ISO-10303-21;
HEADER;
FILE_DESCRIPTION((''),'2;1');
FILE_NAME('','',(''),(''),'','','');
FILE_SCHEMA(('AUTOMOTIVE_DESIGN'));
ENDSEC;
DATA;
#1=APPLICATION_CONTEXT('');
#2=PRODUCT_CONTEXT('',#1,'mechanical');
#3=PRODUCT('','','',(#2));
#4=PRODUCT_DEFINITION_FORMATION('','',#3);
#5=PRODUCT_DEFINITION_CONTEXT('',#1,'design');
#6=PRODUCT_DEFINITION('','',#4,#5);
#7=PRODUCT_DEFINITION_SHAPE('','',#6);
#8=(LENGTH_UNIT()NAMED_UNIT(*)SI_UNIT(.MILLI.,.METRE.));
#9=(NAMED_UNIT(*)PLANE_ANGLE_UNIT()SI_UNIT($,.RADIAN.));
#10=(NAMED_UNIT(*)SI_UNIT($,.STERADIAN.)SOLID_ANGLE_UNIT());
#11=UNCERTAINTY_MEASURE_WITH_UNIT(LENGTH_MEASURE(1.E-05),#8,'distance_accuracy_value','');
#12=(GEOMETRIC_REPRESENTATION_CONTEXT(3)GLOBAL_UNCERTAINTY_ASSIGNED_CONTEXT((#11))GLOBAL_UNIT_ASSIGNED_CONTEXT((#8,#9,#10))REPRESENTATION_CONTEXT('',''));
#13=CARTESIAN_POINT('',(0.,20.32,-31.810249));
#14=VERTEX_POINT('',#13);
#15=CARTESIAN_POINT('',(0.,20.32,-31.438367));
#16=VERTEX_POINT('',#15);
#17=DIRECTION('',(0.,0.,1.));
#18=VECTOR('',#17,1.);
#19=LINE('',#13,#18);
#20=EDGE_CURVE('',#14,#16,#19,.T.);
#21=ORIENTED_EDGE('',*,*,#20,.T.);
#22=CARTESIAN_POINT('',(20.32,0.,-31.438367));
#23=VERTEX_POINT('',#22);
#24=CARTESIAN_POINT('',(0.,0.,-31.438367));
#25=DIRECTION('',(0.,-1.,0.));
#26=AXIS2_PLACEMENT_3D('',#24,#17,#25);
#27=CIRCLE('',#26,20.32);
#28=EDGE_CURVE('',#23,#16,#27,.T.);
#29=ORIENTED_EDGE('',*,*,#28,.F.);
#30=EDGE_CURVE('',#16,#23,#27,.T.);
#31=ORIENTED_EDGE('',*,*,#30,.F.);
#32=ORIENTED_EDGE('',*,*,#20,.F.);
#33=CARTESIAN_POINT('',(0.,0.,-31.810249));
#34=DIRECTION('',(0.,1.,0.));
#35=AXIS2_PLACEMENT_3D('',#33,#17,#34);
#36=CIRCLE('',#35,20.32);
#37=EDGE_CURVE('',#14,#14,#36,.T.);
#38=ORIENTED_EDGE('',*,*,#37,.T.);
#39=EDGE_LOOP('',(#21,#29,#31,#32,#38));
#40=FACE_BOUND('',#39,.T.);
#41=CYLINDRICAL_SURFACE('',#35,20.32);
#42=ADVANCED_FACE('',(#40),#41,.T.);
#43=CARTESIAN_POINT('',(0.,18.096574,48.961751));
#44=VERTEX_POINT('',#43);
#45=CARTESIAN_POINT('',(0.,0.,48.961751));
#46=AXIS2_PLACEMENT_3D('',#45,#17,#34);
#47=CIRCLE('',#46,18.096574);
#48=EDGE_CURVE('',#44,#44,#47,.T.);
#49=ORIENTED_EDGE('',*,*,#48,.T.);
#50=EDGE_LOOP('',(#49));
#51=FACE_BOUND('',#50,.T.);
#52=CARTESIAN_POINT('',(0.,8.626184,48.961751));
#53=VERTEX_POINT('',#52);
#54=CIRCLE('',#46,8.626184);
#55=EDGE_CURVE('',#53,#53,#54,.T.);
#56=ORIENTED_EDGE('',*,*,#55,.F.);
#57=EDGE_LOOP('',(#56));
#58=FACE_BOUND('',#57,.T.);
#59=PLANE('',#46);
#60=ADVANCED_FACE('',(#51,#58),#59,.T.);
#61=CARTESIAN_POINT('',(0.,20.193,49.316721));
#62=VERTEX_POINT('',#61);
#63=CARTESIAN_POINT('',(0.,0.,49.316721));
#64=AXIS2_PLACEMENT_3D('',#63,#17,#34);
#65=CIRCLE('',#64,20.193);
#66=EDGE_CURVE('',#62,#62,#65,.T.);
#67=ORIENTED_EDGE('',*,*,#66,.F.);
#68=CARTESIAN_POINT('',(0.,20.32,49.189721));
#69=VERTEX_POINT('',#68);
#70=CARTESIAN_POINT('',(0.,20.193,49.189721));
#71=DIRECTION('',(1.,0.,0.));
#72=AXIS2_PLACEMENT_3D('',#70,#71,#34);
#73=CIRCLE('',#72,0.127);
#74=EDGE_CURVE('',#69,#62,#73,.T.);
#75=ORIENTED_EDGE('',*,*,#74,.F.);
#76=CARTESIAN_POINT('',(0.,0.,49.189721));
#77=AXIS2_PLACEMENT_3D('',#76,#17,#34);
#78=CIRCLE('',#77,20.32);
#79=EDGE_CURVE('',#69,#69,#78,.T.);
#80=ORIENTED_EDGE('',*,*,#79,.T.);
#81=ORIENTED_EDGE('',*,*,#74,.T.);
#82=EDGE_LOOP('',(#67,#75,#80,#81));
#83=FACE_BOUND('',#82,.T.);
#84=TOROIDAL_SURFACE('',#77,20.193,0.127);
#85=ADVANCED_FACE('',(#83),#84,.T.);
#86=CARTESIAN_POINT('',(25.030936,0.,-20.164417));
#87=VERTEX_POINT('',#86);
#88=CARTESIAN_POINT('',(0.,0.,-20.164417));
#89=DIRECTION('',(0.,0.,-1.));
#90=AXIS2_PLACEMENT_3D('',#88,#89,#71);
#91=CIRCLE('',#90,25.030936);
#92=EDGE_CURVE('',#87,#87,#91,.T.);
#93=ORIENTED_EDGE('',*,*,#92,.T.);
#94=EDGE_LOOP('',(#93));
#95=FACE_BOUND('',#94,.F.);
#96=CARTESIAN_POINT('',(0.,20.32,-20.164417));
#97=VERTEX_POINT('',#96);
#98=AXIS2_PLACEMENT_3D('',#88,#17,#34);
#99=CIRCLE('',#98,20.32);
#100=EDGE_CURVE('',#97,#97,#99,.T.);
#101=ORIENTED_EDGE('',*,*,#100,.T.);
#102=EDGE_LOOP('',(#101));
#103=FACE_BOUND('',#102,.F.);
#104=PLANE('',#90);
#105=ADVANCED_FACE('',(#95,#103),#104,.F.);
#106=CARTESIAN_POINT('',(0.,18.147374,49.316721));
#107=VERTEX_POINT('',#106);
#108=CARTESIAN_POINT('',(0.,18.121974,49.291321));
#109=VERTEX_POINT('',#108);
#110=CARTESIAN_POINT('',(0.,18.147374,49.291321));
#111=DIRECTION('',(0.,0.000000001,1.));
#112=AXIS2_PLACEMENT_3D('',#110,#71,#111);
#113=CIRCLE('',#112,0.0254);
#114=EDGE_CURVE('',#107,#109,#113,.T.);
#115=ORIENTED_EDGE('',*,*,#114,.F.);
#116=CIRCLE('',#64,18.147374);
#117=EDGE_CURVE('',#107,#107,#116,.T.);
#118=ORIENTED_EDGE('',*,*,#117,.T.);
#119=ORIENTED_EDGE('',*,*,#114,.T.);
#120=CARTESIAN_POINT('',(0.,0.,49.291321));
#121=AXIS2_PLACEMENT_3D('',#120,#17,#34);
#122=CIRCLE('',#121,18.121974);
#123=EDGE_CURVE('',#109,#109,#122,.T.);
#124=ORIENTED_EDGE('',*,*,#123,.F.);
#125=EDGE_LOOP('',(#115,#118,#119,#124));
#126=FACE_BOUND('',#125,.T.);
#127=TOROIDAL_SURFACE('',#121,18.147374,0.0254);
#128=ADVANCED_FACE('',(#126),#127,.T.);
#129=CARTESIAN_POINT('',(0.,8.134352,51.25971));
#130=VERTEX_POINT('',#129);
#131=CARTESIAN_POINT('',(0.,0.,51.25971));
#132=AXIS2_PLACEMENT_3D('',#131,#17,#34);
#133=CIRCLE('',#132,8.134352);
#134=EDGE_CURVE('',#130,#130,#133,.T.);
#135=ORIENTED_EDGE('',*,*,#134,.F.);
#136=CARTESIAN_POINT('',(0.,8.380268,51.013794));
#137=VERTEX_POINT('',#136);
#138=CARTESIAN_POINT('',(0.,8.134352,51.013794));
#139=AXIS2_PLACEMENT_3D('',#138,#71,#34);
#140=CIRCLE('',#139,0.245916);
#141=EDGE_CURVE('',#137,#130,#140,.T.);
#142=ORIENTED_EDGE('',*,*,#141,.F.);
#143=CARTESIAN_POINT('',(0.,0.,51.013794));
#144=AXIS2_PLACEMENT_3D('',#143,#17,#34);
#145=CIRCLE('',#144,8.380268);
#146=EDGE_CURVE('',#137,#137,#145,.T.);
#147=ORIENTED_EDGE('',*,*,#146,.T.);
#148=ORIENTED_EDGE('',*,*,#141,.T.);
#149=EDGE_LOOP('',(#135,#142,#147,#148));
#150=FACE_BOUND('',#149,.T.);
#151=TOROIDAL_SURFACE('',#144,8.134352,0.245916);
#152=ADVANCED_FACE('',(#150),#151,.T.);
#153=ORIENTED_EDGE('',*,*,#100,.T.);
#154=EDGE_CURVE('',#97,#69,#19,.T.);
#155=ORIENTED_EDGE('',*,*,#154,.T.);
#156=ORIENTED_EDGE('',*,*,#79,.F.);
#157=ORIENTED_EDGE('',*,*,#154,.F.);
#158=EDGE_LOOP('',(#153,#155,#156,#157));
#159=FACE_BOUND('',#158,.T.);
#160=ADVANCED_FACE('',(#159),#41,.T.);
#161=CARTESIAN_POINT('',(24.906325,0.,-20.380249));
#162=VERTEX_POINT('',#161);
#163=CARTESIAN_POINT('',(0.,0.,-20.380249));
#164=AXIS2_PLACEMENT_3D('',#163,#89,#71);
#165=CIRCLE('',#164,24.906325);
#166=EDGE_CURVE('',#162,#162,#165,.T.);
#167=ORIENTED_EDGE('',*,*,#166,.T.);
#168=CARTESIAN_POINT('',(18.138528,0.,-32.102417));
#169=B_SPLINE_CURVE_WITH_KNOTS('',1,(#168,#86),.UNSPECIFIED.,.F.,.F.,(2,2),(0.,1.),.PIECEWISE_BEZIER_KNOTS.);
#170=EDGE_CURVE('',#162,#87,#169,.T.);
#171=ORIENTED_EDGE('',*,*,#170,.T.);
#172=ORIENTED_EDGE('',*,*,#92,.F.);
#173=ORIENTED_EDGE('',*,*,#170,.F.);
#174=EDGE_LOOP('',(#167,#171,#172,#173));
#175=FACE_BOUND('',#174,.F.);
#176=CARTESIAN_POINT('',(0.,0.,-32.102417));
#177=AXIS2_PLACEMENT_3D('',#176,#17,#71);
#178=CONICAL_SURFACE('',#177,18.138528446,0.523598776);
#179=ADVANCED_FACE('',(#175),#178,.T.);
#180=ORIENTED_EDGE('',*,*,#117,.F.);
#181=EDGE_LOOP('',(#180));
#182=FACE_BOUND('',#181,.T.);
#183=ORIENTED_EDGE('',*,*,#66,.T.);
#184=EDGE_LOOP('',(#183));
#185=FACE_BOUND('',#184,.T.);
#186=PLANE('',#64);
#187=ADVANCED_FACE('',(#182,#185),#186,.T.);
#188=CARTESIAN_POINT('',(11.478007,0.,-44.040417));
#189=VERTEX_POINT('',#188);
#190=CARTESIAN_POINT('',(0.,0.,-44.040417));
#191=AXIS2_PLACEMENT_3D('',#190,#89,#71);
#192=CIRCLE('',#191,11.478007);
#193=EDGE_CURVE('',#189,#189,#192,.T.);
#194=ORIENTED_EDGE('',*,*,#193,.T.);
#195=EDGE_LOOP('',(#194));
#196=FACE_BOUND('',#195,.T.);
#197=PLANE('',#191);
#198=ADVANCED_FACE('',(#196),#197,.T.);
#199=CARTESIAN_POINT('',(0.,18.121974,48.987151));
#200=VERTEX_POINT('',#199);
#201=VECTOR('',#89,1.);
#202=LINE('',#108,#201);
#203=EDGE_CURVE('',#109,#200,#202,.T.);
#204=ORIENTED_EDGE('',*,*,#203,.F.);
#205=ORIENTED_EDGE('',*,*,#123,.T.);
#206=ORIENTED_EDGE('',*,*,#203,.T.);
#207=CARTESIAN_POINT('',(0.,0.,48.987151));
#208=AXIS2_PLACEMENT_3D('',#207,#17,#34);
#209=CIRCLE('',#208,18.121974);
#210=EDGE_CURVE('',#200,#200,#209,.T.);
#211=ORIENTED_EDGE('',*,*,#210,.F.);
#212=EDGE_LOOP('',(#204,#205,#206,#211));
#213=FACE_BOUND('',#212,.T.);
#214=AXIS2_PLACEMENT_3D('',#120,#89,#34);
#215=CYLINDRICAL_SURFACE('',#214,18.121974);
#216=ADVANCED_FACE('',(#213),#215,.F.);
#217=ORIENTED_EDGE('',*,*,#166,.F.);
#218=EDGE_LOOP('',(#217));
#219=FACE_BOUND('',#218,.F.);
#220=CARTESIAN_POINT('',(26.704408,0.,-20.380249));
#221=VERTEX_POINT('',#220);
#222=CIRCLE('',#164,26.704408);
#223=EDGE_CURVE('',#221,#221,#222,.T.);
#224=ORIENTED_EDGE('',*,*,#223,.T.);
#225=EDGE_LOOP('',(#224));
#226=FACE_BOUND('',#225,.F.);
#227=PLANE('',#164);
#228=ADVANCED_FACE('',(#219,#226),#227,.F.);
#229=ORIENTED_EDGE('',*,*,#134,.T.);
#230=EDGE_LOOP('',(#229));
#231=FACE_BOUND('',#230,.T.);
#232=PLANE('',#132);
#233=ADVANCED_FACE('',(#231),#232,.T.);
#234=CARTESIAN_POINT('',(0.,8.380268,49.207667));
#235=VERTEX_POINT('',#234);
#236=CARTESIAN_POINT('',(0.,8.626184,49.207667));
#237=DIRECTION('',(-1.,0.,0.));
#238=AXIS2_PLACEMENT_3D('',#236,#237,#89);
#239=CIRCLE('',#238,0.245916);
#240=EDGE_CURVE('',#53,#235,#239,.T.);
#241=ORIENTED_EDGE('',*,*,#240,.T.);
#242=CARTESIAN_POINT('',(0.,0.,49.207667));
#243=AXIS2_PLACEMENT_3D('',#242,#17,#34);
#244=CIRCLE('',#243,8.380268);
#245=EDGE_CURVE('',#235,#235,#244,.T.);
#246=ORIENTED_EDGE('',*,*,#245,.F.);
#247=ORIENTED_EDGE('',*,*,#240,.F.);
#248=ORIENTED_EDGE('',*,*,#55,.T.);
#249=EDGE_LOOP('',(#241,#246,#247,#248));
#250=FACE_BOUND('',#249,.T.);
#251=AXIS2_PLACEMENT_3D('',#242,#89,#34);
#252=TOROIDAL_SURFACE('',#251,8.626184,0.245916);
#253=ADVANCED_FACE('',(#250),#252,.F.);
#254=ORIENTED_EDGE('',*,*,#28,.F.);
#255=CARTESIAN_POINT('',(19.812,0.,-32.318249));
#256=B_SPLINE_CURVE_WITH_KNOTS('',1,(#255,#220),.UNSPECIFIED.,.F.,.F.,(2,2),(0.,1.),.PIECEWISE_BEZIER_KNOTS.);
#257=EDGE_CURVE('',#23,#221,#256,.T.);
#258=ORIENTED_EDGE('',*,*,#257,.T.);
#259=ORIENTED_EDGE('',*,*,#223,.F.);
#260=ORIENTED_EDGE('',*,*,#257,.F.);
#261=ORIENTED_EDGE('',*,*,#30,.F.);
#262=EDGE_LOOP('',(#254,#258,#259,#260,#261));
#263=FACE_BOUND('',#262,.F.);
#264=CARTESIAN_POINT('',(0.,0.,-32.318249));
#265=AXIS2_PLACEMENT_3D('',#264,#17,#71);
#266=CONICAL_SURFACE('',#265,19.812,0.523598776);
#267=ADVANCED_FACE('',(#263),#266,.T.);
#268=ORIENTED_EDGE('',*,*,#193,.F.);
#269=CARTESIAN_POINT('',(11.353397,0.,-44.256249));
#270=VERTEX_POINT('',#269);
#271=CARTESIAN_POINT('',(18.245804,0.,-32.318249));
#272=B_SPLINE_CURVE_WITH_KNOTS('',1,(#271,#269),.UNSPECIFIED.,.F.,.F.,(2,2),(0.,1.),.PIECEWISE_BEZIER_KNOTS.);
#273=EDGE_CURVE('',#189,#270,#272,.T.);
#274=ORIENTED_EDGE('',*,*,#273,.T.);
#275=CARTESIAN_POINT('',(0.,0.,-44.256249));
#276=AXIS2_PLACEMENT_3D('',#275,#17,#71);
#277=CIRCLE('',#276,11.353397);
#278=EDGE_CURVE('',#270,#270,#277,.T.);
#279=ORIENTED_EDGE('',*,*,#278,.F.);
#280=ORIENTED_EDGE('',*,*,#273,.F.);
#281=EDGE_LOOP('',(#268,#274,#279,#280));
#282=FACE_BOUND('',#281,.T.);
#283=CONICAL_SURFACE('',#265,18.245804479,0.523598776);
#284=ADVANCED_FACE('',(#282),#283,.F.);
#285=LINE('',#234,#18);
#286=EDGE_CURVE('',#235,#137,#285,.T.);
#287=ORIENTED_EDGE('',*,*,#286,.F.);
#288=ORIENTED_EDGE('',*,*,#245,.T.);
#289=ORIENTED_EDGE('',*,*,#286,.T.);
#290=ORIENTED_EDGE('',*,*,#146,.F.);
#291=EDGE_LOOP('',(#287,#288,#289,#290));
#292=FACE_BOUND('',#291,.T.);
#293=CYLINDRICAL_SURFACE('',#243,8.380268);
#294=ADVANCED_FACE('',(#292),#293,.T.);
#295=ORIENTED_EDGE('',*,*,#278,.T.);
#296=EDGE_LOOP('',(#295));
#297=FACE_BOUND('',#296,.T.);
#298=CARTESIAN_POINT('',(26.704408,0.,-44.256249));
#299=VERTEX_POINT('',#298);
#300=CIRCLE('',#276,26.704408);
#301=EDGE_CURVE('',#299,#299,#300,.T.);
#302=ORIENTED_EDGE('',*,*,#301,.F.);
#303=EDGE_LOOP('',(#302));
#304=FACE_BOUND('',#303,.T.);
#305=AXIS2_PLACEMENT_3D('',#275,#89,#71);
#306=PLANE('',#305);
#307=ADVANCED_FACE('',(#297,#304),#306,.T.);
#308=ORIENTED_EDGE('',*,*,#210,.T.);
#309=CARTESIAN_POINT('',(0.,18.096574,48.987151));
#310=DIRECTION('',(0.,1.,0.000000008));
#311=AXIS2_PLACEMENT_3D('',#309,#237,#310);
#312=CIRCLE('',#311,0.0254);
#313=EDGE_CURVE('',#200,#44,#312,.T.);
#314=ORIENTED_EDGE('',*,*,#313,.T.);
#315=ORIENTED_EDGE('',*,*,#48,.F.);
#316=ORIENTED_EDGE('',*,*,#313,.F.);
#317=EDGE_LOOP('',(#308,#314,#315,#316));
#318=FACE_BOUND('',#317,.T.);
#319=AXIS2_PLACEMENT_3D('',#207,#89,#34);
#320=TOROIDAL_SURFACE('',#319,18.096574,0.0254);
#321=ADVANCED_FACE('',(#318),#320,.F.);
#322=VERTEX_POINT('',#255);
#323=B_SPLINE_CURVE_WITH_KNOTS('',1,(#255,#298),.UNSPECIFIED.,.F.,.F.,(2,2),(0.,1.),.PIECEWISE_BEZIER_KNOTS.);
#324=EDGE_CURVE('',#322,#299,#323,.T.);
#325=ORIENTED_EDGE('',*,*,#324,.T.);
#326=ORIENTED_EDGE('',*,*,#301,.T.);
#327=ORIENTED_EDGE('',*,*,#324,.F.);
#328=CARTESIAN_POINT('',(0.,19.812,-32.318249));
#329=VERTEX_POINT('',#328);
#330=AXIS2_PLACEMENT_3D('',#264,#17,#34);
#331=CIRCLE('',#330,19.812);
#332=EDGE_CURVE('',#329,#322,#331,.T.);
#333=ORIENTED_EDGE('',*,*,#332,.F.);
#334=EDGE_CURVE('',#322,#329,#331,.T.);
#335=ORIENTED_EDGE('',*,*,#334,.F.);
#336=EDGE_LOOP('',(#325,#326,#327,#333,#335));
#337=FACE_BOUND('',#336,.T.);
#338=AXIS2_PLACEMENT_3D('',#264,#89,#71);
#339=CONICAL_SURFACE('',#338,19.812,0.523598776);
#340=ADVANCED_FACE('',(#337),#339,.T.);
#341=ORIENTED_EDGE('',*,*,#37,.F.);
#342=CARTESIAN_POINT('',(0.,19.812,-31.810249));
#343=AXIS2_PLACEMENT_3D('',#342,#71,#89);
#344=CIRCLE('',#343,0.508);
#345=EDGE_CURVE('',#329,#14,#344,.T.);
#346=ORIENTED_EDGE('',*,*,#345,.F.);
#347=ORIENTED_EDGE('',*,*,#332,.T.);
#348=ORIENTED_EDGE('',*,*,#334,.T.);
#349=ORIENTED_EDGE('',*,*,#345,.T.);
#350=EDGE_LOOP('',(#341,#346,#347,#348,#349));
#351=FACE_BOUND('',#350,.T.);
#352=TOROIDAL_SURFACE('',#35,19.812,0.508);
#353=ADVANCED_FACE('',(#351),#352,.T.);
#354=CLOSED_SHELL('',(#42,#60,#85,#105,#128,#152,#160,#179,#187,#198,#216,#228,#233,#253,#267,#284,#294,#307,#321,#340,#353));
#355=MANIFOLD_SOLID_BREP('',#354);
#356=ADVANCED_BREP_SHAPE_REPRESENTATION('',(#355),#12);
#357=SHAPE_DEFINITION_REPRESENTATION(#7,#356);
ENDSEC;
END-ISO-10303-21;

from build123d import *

# Parameters (mm, degrees)
F1_FACE_R    = 18.138528446
F1_FACE1_R   = 19.812
F1_FACE1_R_2 = 18.245804479
F2_DEPTH     = 11.938
F2_TAPER     = -30


with BuildPart() as f1:
    # F0 (on Right) → F1 (revolve)
    with BuildSketch(Plane.YZ):
        with BuildLine():
            Line((0, 48.961751096), (0, 0))
            Line((0, 0), (0, -32.1024172008))
            Line((0, -32.1024172008), (18.138528446, -32.1024172008))
            ThreePointArc((18.138528446, -32.1024172008), (18.1764562512, -32.1181274121), (18.1921664625, -32.1560552173))
            Line((18.1921664625, -32.1560552173), (18.1921664625, -32.2646108875))
            ThreePointArc((18.1921664625, -32.2646108875), (18.2078766738, -32.3025386927), (18.245804479, -32.318248904))
            Line((18.245804479, -32.318248904), (19.812, -32.318248904))
            ThreePointArc((19.812, -32.318248904), (20.1712102448, -32.1694591489), (20.32, -31.810248904))
            Line((20.32, -31.810248904), (20.32, 48.4516359195))
            Line((20.32, 48.4516359195), (20.32, 48.961751096))
            Line((20.32, 48.961751096), (20.32, 49.1897210786))
            ThreePointArc((20.32, 49.1897210786), (20.2828025612, 49.2795236398), (20.193, 49.3167210786))
            Line((20.193, 49.3167210786), (18.1473742696, 49.3167210786))
            ThreePointArc((18.1473742696, 49.3167210786), (18.1294137574, 49.3092815909), (18.1219742696, 49.2913210786))
            Line((18.1219742696, 49.2913210786), (18.1219742696, 48.987151096))
            ThreePointArc((18.1219742696, 48.987151096), (18.1145347819, 48.9691905837), (18.0965742696, 48.961751096))
            Line((18.0965742696, 48.961751096), (8.6261840197, 48.961751096))
            ThreePointArc((8.6261840197, 48.961751096), (8.4522951859, 49.0337782093), (8.3802680726, 49.2076670431))
            Line((8.3802680726, 49.2076670431), (8.3802680726, 51.0137942862))
            ThreePointArc((8.3802680726, 51.0137942862), (8.3082409592, 51.1876831201), (8.1343521254, 51.2597102334))
            Line((8.1343521254, 51.2597102334), (0, 51.2597102334))
            Line((0, 51.2597102334), (0, 48.961751096))
        make_face()
    revolve(axis=Axis((0, 0, 24.480875548), (0, 0, 1)))

    # F1_face (on face) + F1_face1 (on face) → F2 (join, symmetric)
    with BuildSketch(Plane(origin=(0, 0, -32.1024172008), x_dir=(1, 0, 0), z_dir=(0, 0, -1))):
        Circle(F1_FACE_R)
    with BuildSketch(Plane(origin=(0, 0, -32.318248904), x_dir=(1, 0, 0), z_dir=(0, 0, -1))):
        Circle(F1_FACE1_R)
        Circle(F1_FACE1_R_2, mode=Mode.SUBTRACT)
    extrude(amount=F2_DEPTH, both=True, taper=F2_TAPER)


solid = f1.part
